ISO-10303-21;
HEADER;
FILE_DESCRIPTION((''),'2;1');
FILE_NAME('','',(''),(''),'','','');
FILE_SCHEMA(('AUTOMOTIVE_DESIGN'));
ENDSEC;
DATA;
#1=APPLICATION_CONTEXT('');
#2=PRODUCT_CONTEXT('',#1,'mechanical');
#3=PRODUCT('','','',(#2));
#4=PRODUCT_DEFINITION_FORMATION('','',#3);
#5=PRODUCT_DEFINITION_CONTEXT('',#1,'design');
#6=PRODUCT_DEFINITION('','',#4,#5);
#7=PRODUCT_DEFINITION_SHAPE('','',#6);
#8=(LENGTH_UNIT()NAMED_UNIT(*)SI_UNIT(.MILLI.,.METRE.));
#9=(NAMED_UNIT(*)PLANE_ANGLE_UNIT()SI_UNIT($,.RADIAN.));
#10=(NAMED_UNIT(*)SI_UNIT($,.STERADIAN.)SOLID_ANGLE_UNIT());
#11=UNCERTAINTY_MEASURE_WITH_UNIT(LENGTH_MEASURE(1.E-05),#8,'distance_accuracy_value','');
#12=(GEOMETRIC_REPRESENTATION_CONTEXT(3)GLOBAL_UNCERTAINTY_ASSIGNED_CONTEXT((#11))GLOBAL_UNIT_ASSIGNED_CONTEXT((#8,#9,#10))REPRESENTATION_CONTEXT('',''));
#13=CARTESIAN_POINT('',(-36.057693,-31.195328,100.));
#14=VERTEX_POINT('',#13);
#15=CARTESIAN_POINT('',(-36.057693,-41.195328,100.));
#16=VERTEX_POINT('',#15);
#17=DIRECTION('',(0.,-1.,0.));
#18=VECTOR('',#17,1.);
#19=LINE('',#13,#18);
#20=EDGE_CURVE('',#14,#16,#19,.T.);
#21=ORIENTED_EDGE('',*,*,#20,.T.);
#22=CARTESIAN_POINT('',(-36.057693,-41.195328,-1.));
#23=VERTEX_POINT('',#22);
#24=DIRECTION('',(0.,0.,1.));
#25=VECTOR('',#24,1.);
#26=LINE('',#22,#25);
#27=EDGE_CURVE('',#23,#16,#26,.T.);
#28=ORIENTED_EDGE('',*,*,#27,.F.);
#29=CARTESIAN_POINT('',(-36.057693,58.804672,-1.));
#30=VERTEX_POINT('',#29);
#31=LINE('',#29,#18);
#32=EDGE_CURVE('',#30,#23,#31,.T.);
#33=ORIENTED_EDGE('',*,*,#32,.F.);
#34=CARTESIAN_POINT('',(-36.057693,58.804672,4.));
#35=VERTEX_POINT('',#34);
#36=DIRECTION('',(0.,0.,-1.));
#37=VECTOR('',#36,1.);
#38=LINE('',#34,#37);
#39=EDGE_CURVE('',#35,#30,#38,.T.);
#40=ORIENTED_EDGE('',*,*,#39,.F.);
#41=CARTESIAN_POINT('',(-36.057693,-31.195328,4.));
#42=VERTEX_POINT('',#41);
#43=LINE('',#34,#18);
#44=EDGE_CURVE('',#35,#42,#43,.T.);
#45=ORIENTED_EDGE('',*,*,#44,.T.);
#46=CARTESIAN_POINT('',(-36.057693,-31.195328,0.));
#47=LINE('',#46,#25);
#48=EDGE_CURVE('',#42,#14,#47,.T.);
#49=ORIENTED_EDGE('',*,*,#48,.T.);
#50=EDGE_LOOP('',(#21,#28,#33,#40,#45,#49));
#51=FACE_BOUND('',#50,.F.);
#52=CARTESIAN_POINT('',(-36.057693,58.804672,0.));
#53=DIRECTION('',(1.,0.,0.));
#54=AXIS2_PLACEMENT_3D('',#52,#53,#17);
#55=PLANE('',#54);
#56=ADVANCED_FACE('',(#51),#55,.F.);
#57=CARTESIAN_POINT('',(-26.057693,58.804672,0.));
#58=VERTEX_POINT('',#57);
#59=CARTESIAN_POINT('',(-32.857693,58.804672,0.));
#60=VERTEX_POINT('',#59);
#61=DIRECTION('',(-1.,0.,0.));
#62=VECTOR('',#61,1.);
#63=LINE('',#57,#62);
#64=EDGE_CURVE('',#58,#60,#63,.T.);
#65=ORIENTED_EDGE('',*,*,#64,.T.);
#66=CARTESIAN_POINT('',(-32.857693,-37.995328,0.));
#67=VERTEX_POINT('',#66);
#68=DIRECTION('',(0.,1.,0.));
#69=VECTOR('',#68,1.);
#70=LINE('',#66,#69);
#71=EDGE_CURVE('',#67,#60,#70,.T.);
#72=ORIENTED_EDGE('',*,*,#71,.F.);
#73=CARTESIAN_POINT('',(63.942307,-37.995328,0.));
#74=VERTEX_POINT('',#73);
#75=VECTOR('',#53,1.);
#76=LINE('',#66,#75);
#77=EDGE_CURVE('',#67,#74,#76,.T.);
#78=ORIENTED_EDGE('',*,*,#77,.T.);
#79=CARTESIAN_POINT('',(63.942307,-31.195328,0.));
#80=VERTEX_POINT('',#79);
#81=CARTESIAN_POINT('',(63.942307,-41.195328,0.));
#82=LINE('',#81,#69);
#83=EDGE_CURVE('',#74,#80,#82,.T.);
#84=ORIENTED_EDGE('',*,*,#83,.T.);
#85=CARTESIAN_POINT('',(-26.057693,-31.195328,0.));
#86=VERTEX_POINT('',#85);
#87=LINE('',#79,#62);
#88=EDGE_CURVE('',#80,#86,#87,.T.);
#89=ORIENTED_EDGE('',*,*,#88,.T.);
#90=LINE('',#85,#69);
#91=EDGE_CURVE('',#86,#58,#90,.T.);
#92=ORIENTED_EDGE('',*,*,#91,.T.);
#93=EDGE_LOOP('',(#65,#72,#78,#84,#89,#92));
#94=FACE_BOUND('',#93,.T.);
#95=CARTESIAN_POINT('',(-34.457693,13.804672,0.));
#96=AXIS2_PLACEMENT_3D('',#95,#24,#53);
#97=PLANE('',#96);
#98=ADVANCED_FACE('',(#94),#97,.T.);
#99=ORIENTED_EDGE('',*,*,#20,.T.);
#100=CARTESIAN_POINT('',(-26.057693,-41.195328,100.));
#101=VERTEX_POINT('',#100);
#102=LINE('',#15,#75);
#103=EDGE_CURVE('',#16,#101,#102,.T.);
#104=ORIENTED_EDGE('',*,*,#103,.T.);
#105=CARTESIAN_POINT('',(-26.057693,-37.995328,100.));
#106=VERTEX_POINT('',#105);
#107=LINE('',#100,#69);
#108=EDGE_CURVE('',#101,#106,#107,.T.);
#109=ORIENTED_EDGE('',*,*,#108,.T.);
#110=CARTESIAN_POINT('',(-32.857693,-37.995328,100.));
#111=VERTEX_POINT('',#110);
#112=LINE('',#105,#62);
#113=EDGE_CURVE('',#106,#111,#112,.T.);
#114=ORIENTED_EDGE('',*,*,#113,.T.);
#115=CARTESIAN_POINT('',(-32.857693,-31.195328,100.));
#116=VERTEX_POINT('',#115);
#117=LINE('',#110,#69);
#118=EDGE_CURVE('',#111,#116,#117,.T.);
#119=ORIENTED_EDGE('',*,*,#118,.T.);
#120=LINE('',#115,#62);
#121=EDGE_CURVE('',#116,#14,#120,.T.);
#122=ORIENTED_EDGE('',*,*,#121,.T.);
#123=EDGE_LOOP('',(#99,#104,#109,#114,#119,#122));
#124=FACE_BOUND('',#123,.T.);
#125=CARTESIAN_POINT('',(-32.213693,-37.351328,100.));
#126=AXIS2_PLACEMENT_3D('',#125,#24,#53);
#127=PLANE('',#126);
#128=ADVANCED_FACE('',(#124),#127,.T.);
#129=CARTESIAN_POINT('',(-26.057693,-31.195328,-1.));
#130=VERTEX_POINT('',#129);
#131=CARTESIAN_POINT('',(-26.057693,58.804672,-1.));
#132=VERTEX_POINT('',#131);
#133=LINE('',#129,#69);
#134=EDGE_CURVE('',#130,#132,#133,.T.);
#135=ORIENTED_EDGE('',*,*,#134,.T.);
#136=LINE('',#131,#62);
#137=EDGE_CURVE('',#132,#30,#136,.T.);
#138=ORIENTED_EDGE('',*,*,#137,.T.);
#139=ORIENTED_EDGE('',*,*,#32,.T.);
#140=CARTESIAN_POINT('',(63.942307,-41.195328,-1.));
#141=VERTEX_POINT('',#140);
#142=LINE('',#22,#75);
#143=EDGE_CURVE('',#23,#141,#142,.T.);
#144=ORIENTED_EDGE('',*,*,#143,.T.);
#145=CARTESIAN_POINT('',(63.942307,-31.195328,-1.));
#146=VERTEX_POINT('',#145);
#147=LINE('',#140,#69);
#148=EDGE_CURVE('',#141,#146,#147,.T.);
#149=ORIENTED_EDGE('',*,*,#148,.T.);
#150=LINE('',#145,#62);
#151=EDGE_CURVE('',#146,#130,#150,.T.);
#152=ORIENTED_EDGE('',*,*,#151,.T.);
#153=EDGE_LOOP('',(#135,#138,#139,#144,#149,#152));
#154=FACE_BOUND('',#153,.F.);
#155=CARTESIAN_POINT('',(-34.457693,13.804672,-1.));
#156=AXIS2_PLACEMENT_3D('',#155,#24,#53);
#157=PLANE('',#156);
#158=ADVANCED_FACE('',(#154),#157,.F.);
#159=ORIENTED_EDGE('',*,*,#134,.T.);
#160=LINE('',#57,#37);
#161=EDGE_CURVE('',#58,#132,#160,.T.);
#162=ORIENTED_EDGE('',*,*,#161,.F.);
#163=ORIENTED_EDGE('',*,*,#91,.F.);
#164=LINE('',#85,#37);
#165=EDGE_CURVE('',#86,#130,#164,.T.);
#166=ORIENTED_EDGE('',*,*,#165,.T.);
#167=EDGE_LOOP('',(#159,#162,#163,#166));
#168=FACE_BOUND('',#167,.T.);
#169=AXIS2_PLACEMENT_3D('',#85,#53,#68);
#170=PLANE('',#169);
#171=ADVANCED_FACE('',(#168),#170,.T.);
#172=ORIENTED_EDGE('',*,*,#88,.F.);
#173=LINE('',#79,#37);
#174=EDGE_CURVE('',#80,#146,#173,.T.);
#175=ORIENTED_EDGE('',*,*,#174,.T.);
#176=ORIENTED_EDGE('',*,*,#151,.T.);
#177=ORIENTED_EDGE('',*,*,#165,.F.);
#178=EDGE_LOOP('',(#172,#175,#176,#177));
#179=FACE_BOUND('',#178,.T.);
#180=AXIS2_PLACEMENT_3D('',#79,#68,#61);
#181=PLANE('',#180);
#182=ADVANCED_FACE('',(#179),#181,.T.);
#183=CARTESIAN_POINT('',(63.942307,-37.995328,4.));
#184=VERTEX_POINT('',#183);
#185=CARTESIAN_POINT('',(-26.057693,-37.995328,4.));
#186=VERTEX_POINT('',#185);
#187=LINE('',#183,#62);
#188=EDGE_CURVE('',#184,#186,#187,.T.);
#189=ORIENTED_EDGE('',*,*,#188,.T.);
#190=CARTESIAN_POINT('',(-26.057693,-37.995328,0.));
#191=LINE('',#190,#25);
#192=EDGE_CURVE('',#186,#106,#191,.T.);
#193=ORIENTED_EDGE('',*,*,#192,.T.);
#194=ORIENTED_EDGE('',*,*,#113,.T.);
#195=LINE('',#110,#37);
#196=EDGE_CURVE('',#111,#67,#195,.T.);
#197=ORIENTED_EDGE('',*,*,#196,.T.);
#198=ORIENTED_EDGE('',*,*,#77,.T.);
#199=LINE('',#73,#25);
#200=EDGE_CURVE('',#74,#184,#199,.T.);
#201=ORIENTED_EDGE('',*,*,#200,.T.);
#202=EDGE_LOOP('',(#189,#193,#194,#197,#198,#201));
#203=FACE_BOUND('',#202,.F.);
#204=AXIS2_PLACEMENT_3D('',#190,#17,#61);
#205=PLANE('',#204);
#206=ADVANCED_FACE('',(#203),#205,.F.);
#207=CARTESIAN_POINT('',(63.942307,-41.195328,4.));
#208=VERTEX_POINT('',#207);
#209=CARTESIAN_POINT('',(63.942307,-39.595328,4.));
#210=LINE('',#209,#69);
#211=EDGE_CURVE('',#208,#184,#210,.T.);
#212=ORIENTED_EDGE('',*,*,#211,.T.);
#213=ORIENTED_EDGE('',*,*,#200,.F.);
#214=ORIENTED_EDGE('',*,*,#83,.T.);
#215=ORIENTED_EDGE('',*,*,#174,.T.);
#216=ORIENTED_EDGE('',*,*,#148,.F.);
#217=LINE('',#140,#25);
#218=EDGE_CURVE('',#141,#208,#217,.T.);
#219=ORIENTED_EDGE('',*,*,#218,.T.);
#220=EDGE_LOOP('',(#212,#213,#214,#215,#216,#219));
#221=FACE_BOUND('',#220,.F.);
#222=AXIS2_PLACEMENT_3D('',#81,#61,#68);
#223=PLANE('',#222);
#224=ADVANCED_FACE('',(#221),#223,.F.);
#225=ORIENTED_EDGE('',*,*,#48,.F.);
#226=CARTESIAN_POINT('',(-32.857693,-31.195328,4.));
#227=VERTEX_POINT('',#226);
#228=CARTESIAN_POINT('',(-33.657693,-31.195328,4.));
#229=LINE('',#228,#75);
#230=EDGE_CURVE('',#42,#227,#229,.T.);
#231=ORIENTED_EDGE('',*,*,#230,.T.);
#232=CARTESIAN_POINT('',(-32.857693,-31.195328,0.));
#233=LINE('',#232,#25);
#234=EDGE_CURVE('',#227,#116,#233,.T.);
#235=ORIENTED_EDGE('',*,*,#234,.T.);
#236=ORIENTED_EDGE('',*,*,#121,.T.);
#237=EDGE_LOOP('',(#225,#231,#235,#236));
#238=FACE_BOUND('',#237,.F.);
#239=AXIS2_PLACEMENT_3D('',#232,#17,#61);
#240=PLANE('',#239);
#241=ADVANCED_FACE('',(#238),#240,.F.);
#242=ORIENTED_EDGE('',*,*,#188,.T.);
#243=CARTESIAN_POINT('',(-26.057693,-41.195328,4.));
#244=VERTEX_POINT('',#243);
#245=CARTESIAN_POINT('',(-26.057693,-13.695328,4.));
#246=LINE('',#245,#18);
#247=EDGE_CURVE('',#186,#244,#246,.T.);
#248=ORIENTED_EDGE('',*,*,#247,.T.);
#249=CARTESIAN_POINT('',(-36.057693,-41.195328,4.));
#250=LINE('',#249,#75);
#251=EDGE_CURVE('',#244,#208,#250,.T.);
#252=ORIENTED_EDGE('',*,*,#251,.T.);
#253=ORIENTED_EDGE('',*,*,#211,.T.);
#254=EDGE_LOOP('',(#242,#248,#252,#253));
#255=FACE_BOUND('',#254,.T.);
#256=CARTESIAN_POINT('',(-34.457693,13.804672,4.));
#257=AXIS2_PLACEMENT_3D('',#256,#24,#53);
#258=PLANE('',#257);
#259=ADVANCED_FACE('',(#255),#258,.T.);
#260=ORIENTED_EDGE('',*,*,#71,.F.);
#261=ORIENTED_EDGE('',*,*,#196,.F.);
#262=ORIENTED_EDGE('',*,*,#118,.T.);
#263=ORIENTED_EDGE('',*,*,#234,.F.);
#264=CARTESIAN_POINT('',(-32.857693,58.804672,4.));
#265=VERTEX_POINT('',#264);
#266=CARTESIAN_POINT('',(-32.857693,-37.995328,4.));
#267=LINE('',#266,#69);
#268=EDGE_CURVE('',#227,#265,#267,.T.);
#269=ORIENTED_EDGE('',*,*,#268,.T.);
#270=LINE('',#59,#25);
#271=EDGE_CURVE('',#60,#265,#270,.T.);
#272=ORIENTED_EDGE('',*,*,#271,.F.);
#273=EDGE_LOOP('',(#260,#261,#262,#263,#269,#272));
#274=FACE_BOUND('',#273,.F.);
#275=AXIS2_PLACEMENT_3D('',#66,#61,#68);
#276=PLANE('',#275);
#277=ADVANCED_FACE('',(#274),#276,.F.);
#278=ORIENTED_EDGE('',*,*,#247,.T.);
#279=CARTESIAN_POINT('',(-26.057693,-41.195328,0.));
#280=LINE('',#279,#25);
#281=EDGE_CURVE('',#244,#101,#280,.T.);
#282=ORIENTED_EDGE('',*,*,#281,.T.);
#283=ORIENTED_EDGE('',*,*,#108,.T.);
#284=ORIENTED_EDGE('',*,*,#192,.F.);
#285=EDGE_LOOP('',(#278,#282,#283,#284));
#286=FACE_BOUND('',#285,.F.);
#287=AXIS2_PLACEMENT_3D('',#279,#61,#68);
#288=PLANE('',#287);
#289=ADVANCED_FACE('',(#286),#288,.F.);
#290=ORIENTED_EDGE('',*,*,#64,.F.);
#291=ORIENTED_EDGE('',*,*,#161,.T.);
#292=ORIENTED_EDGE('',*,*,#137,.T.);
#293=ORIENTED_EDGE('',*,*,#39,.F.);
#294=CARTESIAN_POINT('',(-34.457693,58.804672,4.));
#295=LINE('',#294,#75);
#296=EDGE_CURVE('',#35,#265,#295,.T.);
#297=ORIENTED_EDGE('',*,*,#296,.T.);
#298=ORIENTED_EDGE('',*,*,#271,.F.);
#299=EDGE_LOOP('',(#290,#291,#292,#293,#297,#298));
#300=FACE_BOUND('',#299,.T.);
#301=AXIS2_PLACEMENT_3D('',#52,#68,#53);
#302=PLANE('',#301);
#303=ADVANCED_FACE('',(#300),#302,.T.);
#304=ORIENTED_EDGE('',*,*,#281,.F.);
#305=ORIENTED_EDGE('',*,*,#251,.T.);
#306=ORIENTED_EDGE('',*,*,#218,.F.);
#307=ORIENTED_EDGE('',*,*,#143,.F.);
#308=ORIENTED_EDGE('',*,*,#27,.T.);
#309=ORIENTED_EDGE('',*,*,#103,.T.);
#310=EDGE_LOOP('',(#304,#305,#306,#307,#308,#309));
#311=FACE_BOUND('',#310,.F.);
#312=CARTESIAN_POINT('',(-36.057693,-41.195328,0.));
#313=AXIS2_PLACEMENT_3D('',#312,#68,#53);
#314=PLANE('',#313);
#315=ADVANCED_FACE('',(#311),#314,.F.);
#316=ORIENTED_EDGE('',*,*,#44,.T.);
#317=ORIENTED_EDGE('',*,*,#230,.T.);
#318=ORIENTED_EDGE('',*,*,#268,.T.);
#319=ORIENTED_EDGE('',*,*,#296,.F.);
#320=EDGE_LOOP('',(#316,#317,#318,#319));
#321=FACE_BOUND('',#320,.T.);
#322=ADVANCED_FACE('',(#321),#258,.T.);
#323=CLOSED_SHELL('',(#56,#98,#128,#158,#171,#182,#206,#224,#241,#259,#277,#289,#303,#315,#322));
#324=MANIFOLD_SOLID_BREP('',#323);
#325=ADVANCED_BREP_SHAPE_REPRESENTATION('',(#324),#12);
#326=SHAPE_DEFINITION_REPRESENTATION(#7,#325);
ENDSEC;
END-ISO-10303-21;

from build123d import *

# Parameters (mm, degrees)
F0_W     = 3.2
F0_H     = 90
F0_W_2   = 90
F0_H_2   = 3.2
F1_DEPTH = 1
F2_DEPTH = 4
F3_DEPTH = 100


with BuildPart() as f1:
    # F0 (on Top) → F1 (new body)
    with BuildSketch(Plane.XY):
        with Locations((-34.457693, 13.804672)):
            Rectangle(F0_W, F0_H)
        Polygon((-32.857693, -31.195328), (-36.057693, -31.195328), (-36.057693, -41.195328), (-26.057693, -41.195328), (-26.057693, -37.995328), (-32.857693, -37.995328), align=None)
        Polygon((-26.057693, 58.804672), (-32.857693, 58.804672), (-32.857693, -31.195328), (-26.057693, -37.995328), (63.942307, -37.995328), (63.942307, -31.195328), (-26.057693, -31.195328), align=None)
        with Locations((18.942307, -39.595328)):
            Rectangle(F0_W_2, F0_H_2)
        Polygon((-26.057693, -37.995328), (-32.857693, -31.195328), (-32.857693, -37.995328), align=None)
    extrude(amount=-F1_DEPTH)

    # F0 (on Top) → F2 (join)
    with BuildSketch(Plane.XY):
        with Locations((-34.457693, 13.804672)):
            Rectangle(F0_W, F0_H)
        Polygon((-32.857693, -31.195328), (-36.057693, -31.195328), (-36.057693, -41.195328), (-26.057693, -41.195328), (-26.057693, -37.995328), (-32.857693, -37.995328), align=None)
        with Locations((18.942307, -39.595328)):
            Rectangle(F0_W_2, F0_H_2)
    extrude(amount=F2_DEPTH)

    # F0 (on Top) → F3 (join)
    with BuildSketch(Plane.XY):
        Polygon((-32.857693, -31.195328), (-36.057693, -31.195328), (-36.057693, -41.195328), (-26.057693, -41.195328), (-26.057693, -37.995328), (-32.857693, -37.995328), align=None)
    extrude(amount=F3_DEPTH)


solid = f1.part
